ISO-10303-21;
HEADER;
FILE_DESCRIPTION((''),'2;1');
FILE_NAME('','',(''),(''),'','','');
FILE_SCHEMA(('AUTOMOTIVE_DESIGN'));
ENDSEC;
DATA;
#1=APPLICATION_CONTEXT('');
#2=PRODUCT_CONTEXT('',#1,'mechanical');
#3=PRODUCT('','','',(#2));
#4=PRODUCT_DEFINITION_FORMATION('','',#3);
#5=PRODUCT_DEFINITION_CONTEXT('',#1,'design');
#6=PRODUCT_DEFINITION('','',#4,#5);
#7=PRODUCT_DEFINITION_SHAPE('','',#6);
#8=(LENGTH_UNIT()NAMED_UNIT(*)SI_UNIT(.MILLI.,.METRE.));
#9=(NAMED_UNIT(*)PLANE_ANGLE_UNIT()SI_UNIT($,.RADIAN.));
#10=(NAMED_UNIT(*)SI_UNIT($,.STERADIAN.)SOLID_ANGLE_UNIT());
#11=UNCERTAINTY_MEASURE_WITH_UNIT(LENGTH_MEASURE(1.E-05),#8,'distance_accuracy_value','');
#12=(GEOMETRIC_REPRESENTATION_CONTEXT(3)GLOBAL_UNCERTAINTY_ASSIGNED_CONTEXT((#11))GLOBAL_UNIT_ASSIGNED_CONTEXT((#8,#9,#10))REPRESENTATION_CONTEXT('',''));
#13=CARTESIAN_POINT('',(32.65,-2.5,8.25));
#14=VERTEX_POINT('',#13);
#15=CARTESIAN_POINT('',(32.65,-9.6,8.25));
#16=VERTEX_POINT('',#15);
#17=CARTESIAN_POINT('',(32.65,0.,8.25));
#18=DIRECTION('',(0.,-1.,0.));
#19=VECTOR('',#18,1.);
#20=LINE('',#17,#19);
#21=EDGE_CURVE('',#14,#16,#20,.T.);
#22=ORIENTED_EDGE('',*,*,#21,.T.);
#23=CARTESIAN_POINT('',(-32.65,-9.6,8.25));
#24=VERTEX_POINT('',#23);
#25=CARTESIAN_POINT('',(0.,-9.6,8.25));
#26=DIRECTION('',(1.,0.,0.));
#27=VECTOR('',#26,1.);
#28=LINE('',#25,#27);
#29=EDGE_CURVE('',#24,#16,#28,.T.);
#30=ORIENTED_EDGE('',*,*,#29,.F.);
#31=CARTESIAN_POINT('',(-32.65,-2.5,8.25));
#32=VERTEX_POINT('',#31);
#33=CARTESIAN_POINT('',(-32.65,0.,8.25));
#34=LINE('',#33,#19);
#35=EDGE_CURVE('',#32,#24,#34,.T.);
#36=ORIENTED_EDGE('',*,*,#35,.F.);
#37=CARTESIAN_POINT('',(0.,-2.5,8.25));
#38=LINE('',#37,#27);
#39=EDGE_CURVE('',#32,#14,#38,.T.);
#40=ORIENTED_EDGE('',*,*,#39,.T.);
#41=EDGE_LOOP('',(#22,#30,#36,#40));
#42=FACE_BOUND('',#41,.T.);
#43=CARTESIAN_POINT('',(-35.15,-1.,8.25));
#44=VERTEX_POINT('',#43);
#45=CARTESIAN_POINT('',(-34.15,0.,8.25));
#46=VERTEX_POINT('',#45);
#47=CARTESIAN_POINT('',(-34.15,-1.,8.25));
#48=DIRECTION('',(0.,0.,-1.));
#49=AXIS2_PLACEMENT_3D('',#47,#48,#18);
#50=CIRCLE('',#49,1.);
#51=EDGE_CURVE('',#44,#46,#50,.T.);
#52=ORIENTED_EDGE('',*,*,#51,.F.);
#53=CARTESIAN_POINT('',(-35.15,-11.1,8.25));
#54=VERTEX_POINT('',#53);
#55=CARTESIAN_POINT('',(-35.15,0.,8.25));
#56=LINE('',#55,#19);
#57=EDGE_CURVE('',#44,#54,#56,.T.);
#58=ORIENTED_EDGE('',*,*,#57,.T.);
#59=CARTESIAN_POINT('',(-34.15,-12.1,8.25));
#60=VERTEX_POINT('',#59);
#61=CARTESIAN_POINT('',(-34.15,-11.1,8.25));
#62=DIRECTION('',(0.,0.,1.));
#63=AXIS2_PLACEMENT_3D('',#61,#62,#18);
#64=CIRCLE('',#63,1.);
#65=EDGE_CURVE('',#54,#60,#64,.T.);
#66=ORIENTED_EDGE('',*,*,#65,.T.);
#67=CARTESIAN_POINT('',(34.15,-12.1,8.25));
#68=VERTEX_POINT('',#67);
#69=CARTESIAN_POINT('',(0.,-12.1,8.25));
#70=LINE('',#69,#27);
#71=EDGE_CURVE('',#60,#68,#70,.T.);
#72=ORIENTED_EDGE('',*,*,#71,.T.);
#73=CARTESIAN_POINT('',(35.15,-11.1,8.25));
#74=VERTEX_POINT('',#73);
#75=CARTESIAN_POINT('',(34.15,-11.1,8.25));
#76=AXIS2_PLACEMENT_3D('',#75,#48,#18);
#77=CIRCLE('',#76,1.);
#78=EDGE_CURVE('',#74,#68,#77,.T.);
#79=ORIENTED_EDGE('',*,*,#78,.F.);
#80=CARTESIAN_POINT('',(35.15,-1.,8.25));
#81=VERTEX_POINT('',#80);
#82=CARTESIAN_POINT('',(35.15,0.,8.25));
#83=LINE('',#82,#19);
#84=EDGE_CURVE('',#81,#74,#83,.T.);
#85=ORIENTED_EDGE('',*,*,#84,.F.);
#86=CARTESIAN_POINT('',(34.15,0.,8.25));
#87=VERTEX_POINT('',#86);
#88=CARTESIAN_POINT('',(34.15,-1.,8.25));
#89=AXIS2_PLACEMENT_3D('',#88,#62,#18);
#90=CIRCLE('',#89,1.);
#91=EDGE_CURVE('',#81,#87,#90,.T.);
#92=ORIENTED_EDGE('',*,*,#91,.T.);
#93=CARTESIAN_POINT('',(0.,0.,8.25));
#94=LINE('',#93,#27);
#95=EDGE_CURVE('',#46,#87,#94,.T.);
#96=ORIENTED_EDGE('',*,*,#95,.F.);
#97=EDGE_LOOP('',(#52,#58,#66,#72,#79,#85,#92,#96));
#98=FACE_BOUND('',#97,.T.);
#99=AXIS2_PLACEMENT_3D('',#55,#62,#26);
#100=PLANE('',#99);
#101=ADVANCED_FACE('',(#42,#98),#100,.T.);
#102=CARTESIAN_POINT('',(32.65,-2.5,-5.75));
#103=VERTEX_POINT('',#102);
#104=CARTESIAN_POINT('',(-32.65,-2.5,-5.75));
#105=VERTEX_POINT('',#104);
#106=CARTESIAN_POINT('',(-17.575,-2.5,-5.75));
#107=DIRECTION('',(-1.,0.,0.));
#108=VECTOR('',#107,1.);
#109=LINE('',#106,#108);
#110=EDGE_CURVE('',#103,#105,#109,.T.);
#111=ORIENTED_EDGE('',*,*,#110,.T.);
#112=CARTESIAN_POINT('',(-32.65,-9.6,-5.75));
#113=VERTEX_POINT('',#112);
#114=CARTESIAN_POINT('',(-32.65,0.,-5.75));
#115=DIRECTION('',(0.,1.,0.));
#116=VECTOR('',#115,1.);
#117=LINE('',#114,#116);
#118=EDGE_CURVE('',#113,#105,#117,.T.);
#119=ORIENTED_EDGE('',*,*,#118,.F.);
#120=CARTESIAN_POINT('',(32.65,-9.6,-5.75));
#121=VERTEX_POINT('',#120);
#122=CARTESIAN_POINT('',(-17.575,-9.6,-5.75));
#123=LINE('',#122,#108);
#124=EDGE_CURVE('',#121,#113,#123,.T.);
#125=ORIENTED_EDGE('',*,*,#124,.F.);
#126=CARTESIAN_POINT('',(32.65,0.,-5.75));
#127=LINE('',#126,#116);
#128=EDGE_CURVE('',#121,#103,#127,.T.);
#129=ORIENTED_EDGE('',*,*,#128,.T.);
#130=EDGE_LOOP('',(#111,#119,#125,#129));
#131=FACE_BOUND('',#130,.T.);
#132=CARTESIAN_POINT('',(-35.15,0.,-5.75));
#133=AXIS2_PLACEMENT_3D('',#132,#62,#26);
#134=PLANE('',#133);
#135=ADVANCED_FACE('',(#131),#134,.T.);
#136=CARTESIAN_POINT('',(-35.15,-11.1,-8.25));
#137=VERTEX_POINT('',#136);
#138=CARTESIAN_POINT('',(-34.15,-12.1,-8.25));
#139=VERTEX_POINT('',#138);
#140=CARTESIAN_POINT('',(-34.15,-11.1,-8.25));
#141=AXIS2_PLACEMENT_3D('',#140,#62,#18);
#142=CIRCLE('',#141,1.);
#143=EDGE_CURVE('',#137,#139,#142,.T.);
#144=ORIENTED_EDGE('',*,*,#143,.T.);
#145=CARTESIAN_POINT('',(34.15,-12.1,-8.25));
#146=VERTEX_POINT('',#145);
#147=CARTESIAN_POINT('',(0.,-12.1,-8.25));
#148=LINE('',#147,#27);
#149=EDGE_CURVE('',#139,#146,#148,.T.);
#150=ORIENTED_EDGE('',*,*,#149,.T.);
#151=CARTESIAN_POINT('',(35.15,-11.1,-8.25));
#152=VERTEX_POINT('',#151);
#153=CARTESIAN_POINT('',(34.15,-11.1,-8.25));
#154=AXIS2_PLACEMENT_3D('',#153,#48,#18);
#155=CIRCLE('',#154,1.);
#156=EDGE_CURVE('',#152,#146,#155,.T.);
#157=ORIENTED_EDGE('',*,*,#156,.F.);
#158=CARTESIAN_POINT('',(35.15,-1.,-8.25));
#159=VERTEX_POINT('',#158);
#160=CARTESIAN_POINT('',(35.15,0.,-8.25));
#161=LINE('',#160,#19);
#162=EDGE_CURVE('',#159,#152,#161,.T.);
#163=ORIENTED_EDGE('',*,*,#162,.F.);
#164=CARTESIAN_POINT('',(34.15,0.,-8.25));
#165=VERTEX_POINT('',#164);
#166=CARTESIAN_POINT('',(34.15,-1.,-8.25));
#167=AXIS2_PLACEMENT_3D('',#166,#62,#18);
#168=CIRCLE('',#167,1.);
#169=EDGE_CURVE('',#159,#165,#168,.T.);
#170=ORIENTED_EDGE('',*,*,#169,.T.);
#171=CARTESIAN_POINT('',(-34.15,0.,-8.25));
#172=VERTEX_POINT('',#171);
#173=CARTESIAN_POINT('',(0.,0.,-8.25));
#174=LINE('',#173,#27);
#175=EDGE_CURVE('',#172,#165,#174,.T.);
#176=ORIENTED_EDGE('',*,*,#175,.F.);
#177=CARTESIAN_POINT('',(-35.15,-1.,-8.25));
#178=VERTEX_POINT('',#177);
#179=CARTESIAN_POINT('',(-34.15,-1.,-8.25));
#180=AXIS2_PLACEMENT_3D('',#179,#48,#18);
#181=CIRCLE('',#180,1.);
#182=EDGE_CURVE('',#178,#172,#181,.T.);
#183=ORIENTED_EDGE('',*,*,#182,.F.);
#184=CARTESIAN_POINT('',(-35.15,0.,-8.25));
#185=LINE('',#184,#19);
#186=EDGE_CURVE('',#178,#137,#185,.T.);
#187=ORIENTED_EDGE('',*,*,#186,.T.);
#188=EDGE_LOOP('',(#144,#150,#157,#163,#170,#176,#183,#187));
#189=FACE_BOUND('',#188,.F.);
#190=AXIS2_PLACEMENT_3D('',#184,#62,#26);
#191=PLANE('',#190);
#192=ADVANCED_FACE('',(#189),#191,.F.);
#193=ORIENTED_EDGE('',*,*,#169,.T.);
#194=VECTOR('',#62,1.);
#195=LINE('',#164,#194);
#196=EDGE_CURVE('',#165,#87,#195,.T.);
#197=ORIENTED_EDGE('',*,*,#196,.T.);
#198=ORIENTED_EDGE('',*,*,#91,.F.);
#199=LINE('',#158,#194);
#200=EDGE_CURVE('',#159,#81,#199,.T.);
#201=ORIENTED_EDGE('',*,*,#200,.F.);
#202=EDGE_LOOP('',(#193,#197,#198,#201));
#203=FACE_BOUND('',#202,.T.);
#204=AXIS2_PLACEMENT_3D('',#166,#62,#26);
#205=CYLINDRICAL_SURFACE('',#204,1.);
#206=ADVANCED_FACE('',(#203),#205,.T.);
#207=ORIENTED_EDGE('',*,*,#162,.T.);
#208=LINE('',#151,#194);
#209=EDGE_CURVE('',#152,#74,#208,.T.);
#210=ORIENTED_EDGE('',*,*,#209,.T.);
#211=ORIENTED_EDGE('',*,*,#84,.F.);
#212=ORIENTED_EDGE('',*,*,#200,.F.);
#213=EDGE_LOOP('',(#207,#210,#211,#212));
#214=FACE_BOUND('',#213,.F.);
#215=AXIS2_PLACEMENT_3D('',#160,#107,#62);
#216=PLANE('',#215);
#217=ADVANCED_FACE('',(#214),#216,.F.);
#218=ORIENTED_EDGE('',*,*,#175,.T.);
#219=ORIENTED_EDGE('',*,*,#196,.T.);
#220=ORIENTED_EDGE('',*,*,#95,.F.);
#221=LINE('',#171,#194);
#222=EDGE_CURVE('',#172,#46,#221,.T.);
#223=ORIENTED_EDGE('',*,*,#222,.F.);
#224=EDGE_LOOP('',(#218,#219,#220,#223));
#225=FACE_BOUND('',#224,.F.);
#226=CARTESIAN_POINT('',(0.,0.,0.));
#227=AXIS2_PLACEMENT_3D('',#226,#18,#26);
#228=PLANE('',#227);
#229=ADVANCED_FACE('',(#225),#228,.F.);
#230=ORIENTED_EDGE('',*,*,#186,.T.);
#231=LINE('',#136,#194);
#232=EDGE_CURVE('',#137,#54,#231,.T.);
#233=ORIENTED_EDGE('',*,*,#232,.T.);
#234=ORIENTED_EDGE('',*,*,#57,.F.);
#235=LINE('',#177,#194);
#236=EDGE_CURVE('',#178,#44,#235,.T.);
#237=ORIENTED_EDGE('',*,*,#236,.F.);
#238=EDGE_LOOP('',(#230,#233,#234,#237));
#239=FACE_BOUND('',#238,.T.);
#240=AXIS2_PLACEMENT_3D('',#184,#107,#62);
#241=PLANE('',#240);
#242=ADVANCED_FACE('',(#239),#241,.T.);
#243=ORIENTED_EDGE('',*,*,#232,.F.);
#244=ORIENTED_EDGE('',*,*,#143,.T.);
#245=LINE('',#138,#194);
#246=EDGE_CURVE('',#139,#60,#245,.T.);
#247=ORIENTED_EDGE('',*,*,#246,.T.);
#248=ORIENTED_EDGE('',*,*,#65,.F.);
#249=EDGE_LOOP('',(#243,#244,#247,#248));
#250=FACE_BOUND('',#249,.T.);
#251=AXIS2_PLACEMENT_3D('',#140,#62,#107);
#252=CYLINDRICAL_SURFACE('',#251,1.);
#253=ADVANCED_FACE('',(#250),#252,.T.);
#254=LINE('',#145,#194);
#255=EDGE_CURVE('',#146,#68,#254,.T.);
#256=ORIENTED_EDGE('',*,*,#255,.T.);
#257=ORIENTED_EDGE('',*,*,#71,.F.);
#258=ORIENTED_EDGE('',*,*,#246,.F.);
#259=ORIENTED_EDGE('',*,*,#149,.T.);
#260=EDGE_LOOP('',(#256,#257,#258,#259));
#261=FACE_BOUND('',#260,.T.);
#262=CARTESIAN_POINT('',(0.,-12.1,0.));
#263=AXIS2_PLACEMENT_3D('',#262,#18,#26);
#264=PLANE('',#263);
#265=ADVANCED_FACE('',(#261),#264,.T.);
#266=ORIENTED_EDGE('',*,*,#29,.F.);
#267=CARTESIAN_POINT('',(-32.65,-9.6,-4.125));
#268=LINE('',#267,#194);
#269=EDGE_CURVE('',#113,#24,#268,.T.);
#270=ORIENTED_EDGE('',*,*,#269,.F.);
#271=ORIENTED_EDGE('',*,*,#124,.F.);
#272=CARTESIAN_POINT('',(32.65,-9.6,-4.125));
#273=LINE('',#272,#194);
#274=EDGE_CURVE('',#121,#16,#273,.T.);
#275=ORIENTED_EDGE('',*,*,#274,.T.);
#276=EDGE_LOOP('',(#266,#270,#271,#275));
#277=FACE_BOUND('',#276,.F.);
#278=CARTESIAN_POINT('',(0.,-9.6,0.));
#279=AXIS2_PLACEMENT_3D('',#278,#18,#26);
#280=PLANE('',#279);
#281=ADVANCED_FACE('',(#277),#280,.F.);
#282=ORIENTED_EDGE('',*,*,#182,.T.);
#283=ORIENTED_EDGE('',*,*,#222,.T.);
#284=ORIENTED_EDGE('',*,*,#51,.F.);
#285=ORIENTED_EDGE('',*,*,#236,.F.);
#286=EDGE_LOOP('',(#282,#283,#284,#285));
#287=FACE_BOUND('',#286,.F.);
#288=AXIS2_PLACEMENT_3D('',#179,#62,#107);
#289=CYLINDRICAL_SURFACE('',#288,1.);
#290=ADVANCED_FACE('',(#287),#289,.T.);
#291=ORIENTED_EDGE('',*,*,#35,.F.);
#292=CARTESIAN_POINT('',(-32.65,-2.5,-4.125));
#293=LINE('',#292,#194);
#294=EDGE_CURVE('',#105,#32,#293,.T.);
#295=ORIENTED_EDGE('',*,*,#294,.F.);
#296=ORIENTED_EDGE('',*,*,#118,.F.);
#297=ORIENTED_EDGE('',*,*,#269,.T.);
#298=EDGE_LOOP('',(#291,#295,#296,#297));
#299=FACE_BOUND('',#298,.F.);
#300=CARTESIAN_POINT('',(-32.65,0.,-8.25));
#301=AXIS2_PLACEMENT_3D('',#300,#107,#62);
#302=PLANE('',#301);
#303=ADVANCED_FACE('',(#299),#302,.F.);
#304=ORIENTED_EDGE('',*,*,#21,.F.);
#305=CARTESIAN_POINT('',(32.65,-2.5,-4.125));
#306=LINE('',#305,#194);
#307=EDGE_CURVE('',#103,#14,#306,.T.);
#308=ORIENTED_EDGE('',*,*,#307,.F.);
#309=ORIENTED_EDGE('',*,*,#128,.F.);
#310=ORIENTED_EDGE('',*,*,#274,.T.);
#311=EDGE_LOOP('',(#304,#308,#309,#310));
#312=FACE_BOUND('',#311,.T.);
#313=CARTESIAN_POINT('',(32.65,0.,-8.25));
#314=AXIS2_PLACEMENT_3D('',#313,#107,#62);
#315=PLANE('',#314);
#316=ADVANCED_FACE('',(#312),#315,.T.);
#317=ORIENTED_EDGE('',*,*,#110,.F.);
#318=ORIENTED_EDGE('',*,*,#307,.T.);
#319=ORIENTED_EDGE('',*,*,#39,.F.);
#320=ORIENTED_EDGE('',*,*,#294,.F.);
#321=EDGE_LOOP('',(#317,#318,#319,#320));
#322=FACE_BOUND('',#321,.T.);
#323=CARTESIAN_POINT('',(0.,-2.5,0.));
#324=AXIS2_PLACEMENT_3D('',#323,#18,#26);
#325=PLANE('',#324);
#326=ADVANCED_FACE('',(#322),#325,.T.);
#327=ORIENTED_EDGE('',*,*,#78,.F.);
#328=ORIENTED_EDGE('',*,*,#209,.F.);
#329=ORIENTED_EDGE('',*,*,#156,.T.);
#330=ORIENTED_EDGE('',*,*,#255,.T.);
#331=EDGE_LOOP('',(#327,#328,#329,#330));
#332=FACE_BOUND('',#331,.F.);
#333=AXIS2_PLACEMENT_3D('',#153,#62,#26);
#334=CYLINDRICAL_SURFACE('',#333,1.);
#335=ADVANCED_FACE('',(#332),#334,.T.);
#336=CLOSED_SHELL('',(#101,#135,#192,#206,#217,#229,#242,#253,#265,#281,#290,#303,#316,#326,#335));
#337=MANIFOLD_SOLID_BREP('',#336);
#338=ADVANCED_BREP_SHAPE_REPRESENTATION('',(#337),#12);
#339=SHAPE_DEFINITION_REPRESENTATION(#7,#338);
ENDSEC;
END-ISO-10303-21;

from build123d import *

# Parameters (mm, degrees)
F0_W     = 70.3
F0_H     = 16.5
F1_DEPTH = 12.1
F2_T     = -2.5
F3_R     = 1


with BuildPart() as f1:
    # F0 (on Front) → F1 (new body)
    with BuildSketch(Plane.XZ):
        Rectangle(F0_W, F0_H)
    extrude(amount=F1_DEPTH)

    # F2
    f2_openings = [f1.faces().sort_by_distance(p)[0] for p in [
        (0, -6.05, 8.25),
    ]]
    offset(amount=F2_T, openings=f2_openings)

    # F3
    f3_edges = [f1.edges().sort_by_distance(p)[0] for p in [
        (-35.15, -12.1, 0),
        (35.15, -12.1, 0),
        (35.15, 0, 0),
        (-35.15, 0, 0),
    ]]
    fillet(f3_edges, radius=F3_R)


solid = f1.part
